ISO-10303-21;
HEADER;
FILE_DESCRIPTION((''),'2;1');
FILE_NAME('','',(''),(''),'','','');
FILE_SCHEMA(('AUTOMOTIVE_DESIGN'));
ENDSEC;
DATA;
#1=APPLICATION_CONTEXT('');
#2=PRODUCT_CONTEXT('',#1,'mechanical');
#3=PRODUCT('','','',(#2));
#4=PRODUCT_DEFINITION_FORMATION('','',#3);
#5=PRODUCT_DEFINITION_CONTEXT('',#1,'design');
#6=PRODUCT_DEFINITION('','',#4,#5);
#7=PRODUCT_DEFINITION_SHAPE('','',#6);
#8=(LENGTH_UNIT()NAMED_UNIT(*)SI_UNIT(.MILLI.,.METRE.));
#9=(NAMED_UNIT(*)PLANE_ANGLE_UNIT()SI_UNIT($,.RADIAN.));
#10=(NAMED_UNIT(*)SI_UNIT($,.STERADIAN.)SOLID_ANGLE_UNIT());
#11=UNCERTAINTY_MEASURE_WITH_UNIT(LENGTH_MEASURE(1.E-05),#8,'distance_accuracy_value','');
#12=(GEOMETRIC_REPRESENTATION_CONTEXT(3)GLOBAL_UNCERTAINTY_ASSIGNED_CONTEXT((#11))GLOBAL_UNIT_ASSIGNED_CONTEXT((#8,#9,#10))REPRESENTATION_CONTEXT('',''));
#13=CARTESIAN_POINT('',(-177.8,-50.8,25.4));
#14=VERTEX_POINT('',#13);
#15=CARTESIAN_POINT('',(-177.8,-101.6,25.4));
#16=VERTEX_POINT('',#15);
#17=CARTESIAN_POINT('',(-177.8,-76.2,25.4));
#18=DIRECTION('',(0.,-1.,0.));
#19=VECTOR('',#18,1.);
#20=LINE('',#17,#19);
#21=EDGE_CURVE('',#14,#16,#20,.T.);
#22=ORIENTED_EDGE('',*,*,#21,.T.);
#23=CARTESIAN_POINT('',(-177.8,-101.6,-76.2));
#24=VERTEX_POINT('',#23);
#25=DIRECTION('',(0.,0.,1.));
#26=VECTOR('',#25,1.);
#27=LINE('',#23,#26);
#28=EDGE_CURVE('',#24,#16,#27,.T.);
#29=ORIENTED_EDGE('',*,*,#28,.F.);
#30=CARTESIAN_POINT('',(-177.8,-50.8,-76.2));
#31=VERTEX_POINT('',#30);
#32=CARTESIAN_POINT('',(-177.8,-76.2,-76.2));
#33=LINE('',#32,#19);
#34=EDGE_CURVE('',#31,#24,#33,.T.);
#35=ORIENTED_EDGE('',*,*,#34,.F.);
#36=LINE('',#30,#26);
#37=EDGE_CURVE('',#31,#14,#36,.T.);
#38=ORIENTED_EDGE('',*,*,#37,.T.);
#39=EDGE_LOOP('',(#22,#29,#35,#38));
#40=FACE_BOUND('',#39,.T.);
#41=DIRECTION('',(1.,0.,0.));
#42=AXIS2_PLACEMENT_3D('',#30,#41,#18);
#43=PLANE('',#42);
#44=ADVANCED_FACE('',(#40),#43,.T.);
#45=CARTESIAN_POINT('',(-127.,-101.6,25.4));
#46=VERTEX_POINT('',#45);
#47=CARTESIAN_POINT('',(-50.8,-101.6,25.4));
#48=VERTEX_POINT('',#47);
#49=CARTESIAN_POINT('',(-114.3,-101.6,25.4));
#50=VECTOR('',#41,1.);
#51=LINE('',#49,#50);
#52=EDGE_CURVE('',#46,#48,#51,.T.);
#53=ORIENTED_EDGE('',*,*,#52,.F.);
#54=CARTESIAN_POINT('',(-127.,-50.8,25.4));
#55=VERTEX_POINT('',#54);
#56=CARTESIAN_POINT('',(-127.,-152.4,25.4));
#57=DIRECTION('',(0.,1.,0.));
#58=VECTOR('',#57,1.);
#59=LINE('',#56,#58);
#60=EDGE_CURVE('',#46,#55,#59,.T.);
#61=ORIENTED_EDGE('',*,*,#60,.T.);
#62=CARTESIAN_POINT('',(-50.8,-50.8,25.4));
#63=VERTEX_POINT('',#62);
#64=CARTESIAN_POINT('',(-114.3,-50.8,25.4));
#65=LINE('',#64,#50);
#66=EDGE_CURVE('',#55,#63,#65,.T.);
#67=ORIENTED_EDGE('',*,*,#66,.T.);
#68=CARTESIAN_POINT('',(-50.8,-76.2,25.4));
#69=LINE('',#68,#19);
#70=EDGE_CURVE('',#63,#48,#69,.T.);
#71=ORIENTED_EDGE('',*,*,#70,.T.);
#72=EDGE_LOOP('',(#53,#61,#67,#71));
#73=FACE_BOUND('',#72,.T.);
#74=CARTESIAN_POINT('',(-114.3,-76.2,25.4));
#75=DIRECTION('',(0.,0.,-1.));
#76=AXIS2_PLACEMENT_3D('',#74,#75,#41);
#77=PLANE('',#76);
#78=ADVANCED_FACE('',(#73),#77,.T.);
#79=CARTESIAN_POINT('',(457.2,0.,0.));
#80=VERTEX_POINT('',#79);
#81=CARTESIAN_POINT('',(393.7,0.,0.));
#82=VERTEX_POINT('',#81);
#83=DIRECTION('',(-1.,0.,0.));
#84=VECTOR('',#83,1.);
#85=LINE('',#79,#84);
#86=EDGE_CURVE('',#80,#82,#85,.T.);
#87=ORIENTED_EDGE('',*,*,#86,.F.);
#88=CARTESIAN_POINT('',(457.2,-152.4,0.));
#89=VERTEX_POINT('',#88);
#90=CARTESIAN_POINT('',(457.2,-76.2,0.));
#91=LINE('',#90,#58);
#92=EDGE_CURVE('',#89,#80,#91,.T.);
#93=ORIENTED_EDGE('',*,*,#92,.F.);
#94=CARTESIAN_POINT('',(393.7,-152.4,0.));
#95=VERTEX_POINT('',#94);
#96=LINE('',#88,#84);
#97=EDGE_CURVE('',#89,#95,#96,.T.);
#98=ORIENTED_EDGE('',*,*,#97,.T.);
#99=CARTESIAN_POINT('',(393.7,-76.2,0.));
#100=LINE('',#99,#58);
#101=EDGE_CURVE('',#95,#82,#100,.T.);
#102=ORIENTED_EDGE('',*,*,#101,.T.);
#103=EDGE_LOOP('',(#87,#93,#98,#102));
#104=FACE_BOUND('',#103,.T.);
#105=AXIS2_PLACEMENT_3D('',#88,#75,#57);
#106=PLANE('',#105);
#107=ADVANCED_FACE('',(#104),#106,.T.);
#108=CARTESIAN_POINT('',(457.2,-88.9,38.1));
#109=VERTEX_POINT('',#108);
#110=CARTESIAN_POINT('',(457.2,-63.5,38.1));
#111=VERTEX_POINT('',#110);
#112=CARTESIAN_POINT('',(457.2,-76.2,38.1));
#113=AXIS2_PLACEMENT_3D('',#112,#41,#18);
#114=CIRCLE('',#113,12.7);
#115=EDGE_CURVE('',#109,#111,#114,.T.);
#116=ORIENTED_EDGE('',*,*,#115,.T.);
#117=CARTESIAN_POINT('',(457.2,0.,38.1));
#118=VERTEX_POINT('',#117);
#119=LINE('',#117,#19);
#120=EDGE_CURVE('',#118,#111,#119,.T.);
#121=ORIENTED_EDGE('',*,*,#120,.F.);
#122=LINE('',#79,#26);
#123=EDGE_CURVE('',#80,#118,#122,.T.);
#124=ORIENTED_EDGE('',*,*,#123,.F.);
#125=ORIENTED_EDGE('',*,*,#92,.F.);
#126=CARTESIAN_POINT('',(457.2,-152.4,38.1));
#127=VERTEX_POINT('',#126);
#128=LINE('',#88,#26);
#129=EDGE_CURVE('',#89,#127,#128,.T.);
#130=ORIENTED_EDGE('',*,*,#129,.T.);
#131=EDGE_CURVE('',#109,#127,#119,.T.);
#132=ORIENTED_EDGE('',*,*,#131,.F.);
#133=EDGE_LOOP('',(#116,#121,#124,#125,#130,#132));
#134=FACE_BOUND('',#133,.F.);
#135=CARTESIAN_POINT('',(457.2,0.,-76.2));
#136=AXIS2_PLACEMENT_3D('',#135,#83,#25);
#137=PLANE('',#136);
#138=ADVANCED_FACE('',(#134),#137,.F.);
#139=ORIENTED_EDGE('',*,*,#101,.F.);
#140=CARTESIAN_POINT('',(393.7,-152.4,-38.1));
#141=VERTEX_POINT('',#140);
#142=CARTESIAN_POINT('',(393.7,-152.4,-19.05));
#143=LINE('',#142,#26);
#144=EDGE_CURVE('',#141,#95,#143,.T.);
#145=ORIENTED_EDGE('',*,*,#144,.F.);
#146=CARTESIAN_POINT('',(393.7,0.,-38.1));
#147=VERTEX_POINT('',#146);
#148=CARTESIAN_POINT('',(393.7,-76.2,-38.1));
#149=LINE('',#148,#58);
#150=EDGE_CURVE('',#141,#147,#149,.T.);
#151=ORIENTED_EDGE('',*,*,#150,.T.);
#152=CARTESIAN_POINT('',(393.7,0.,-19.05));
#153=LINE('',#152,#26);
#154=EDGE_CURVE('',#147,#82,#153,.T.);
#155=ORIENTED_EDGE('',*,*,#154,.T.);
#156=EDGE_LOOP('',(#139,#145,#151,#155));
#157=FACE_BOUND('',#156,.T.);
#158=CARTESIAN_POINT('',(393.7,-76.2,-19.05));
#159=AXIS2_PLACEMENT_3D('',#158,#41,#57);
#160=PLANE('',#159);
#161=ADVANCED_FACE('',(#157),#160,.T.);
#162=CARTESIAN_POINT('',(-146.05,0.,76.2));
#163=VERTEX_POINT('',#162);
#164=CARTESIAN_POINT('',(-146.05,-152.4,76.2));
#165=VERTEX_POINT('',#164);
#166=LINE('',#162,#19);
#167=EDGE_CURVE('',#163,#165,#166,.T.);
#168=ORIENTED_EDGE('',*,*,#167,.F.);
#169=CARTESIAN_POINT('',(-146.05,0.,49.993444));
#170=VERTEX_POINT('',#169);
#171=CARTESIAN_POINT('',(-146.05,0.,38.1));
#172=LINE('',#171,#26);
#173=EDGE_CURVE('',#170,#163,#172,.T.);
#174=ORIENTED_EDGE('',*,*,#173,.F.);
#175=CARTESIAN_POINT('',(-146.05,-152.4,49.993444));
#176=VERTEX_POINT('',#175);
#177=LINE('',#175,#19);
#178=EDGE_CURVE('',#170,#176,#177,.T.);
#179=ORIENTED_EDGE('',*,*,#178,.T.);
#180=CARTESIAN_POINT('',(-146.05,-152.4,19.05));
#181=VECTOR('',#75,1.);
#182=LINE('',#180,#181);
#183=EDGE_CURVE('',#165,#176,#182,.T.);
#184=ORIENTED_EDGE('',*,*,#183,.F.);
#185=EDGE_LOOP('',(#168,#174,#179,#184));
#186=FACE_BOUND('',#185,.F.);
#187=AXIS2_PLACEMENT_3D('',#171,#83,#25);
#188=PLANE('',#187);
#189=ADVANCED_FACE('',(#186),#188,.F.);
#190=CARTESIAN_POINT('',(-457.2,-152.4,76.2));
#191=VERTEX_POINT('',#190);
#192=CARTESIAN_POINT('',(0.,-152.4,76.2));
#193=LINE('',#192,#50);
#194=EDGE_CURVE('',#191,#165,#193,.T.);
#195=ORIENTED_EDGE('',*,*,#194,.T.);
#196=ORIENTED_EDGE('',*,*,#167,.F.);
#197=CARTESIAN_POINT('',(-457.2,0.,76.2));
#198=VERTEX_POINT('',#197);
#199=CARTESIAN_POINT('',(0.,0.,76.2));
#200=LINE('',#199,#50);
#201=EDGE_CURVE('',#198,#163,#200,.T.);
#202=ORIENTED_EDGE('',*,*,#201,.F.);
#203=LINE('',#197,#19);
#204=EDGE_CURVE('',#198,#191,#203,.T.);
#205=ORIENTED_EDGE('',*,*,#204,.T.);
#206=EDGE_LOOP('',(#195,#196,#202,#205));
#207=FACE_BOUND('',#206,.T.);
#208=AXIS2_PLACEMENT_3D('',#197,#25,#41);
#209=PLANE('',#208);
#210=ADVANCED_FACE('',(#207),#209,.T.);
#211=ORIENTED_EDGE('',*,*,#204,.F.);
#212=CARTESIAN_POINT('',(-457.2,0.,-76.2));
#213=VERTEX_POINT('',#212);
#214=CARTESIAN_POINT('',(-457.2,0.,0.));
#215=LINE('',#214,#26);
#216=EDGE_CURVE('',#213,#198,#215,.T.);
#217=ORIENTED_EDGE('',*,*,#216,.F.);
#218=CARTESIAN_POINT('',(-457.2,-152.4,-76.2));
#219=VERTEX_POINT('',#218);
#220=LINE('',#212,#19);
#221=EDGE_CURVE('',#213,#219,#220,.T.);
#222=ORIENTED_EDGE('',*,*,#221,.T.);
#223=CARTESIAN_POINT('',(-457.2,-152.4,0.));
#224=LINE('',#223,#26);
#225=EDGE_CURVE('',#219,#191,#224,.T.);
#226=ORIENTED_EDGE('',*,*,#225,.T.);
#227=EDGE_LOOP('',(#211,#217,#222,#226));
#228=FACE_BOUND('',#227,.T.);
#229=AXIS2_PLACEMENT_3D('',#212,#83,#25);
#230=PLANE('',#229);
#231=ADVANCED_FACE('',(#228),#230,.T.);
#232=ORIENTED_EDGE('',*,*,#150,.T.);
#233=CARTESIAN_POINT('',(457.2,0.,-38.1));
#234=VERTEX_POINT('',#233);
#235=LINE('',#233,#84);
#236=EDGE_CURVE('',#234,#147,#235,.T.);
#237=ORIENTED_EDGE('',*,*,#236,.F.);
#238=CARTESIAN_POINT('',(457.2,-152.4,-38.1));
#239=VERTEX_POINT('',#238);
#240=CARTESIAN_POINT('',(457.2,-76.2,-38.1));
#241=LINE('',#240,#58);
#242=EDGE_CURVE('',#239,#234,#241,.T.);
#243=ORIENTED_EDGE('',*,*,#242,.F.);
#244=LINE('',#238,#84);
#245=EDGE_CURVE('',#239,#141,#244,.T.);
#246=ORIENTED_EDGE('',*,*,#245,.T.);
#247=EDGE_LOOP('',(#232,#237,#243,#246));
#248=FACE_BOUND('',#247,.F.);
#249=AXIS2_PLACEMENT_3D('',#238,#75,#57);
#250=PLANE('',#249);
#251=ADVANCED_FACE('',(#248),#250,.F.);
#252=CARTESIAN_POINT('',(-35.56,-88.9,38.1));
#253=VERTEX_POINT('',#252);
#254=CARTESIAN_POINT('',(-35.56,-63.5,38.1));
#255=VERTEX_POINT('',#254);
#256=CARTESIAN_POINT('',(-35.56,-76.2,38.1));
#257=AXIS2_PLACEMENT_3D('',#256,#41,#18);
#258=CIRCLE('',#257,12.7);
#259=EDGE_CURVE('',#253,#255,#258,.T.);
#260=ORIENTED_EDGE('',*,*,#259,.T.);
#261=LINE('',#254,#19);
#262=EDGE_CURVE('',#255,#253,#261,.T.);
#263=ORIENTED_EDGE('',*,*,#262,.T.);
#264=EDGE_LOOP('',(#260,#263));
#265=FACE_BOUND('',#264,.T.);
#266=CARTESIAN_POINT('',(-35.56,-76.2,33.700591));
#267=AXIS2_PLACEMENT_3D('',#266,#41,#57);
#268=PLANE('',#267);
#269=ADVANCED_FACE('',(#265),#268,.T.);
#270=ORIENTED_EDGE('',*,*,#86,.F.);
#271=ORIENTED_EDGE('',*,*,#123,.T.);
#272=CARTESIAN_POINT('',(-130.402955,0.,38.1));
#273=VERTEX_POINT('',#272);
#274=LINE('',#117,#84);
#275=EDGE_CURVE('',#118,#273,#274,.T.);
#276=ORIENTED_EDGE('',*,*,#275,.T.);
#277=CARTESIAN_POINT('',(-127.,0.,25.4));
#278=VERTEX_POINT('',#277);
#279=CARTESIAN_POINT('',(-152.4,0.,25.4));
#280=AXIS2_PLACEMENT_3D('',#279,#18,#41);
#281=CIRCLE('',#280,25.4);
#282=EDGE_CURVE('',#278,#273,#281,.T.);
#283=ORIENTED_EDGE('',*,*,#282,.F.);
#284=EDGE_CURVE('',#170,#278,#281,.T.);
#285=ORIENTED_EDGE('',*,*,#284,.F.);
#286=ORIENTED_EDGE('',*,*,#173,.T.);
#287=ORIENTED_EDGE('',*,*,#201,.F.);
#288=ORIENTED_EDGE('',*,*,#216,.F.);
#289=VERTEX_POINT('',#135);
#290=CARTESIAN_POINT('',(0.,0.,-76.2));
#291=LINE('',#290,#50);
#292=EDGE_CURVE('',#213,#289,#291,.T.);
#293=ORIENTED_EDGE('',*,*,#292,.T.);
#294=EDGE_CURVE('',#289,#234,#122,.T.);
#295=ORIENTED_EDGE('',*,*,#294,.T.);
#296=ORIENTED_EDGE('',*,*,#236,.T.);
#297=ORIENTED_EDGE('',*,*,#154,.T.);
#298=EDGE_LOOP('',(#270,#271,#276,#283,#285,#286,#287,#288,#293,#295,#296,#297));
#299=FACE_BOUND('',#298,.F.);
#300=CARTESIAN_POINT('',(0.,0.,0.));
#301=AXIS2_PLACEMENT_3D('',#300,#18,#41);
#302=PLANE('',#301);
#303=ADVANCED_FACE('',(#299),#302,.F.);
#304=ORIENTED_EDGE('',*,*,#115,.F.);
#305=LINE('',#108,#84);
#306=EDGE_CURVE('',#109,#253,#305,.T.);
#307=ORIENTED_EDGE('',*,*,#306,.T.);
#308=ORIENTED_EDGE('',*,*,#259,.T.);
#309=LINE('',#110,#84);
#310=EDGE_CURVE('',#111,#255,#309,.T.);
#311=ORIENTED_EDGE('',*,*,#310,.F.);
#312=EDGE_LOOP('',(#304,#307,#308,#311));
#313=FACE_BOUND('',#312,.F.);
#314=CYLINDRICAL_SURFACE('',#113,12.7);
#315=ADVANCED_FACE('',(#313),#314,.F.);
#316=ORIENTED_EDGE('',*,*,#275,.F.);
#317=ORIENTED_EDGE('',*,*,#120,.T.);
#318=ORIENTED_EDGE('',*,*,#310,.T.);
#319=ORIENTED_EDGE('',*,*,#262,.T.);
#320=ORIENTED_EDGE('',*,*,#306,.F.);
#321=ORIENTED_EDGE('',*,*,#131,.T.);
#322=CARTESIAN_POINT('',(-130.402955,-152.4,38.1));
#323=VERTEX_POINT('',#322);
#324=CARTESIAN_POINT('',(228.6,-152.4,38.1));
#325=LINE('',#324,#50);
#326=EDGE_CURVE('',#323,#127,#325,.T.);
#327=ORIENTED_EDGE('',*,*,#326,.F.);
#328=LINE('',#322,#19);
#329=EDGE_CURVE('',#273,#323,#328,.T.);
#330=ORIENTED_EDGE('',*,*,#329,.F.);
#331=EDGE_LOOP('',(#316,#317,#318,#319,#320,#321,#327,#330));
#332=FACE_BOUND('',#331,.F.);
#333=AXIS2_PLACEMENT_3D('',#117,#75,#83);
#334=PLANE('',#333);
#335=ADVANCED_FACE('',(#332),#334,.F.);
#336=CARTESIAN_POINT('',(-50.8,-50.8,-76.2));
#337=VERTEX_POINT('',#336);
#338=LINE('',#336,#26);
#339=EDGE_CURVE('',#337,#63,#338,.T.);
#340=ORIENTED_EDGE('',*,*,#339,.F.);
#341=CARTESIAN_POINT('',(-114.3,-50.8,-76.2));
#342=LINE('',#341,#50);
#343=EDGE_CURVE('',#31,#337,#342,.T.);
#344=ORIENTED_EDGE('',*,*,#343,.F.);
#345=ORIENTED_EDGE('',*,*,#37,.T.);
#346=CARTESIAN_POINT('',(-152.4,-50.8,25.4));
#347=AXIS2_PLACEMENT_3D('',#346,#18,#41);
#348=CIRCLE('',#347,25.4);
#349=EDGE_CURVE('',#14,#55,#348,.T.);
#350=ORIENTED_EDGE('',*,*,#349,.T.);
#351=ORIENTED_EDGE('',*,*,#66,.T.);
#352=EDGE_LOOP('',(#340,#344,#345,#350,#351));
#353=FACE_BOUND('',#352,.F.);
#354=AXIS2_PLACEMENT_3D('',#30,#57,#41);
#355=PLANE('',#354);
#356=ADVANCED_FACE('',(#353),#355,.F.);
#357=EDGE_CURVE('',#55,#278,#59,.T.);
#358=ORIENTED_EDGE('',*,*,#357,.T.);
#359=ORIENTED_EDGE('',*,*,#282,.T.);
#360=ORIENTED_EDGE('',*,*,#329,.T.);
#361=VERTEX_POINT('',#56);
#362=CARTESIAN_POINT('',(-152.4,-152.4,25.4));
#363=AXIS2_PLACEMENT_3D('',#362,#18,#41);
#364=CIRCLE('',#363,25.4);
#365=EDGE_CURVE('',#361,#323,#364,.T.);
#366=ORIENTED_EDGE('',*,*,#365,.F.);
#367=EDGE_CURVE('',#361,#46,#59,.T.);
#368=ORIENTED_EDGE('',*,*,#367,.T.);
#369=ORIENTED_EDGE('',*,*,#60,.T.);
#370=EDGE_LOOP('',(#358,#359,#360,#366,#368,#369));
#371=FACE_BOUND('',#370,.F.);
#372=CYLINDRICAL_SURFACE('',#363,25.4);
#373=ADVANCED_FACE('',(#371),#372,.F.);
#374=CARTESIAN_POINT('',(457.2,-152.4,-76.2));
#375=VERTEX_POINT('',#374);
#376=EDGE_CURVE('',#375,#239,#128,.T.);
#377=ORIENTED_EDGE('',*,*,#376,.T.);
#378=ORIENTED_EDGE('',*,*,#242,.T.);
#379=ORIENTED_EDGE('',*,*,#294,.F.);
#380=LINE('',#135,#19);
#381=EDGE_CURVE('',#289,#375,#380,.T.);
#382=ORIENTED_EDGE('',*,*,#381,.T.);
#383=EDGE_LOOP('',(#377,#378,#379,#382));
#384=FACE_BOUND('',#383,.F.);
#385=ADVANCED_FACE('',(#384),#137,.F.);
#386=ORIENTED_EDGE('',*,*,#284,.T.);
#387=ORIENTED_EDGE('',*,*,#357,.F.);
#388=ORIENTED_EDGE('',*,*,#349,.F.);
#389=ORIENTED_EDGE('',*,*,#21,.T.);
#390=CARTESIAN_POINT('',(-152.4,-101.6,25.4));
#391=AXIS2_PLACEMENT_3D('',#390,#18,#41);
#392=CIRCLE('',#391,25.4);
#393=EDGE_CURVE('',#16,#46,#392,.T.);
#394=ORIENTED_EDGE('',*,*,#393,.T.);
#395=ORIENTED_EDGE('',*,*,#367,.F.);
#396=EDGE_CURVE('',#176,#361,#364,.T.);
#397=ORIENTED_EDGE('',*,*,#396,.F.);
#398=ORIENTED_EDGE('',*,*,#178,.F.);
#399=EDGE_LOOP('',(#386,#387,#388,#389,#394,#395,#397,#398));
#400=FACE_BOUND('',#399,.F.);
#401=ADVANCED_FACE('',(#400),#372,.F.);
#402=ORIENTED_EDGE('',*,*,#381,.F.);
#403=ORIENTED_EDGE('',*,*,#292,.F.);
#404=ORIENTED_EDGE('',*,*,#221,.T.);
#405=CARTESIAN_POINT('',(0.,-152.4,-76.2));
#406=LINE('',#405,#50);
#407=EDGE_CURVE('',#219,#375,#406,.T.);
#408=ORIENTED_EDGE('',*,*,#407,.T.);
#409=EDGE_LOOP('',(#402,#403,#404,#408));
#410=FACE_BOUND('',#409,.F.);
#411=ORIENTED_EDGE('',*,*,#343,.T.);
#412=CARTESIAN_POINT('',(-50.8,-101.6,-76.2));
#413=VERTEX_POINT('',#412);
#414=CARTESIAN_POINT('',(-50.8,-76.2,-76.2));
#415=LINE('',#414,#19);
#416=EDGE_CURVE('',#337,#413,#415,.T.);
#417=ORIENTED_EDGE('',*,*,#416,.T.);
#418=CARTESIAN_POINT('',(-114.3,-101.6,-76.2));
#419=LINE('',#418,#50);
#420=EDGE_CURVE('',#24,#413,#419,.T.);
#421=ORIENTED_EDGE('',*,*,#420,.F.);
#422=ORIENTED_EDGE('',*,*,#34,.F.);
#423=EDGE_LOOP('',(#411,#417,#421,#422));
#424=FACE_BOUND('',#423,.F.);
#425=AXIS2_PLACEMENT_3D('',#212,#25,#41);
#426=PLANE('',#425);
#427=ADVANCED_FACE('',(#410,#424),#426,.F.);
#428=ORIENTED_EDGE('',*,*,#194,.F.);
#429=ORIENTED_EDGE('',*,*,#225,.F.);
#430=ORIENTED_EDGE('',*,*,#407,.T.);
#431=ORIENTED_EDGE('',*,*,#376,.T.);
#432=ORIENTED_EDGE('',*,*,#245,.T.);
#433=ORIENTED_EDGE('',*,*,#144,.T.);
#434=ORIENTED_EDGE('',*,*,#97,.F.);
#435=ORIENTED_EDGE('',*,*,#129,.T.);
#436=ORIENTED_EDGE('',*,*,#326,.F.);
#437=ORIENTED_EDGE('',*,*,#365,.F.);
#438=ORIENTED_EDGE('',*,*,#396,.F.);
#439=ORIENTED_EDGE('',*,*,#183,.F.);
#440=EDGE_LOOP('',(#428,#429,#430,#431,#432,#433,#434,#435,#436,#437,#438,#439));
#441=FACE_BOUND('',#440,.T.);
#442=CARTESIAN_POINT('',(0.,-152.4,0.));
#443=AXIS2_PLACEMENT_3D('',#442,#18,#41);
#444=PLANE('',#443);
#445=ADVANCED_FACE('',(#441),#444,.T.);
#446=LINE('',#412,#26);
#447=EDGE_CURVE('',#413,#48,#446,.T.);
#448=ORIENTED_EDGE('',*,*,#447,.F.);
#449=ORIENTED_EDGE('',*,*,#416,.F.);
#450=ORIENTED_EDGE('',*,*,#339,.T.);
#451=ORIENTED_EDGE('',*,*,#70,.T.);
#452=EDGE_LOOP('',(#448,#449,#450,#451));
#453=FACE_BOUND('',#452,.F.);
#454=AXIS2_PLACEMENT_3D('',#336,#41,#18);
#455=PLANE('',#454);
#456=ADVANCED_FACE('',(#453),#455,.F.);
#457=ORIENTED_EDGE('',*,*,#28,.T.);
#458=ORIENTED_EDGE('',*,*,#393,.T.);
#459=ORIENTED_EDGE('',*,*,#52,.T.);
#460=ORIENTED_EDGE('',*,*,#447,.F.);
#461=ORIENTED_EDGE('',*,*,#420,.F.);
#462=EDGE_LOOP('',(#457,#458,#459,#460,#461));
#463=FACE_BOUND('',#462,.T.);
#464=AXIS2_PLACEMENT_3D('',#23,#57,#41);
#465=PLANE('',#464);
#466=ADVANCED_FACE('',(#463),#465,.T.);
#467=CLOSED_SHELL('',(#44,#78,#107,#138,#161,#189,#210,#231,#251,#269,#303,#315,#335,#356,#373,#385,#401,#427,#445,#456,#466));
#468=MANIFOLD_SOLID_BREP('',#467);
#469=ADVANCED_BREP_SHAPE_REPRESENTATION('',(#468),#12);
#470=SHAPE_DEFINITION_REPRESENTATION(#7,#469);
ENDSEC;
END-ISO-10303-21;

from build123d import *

# Parameters (mm, degrees)
F0_W      = 914.4
F0_H      = 152.4
F1_DEPTH  = 152.4
F2_W      = 127
F2_H      = 50.8
F3_DEPTH  = 101.6
F4_R      = 25.4
F5_DEPTH  = 337.82
F7_DEPTH  = 274.32
F9_DEPTH  = 492.76
F10_W     = 152.4
F10_H     = 38.1
F11_DEPTH = 63.5


with BuildPart() as f1:
    # F0 (on Front) → F1 (new body)
    with BuildSketch(Plane.XZ):
        Rectangle(F0_W, F0_H)
    extrude(amount=F1_DEPTH)

    # F2 (on face) → F3 (cut)
    with BuildSketch(Plane(origin=(0, 0, -76.2), x_dir=(1, 0, 0), z_dir=(0, 0, -1))):
        with Locations((-114.3, 76.2)):
            Rectangle(F2_W, F2_H)
    extrude(amount=-F3_DEPTH, mode=Mode.SUBTRACT)

    # F4 (on face) → F5 (cut)
    with BuildSketch(Plane.XZ.offset(152.4)):
        with Locations((-152.4, 25.4)):
            Circle(F4_R)
    extrude(amount=-F5_DEPTH, mode=Mode.SUBTRACT)

    # F6 (on face) → F7 (cut)
    with BuildSketch(Plane(origin=(0, 0, 0), x_dir=(-1, 0, 0), z_dir=(0, 1, 0))):
        with BuildLine():
            Line((130.4029547439, 38.1), (146.05, 38.1))
            Line((146.05, 38.1), (146.05, 49.9934442484))
            ThreePointArc((146.05, 49.9934442484), (137.0295007332, 45.6214676097), (130.4029547439, 38.1))
        make_face()
        with BuildLine():
            Line((-457.2, 38.1), (130.4029547439, 38.1))
            ThreePointArc((130.4029547439, 38.1), (137.0295007332, 45.6214676097), (146.05, 49.9934442484))
            Line((146.05, 49.9934442484), (146.05, 76.2))
            Line((146.05, 76.2), (-457.2, 76.2))
            Line((-457.2, 76.2), (-457.2, 38.1))
        make_face()
    extrude(amount=-F7_DEPTH, mode=Mode.SUBTRACT)

    # F8 (on face) → F9 (cut)
    with BuildSketch(Plane.YZ.offset(457.2)):
        with BuildLine():
            ThreePointArc((-88.9, 38.1), (-76.2, 25.4), (-63.5, 38.1))
            Line((-63.5, 38.1), (-88.9, 38.1))
        make_face()
    extrude(amount=-F9_DEPTH, mode=Mode.SUBTRACT)

    # F10 (on face) → F11 (cut)
    with BuildSketch(Plane.YZ.offset(457.2)):
        with Locations((-76.2, -19.05)):
            Rectangle(F10_W, F10_H)
    extrude(amount=-F11_DEPTH, mode=Mode.SUBTRACT)


solid = f1.part
